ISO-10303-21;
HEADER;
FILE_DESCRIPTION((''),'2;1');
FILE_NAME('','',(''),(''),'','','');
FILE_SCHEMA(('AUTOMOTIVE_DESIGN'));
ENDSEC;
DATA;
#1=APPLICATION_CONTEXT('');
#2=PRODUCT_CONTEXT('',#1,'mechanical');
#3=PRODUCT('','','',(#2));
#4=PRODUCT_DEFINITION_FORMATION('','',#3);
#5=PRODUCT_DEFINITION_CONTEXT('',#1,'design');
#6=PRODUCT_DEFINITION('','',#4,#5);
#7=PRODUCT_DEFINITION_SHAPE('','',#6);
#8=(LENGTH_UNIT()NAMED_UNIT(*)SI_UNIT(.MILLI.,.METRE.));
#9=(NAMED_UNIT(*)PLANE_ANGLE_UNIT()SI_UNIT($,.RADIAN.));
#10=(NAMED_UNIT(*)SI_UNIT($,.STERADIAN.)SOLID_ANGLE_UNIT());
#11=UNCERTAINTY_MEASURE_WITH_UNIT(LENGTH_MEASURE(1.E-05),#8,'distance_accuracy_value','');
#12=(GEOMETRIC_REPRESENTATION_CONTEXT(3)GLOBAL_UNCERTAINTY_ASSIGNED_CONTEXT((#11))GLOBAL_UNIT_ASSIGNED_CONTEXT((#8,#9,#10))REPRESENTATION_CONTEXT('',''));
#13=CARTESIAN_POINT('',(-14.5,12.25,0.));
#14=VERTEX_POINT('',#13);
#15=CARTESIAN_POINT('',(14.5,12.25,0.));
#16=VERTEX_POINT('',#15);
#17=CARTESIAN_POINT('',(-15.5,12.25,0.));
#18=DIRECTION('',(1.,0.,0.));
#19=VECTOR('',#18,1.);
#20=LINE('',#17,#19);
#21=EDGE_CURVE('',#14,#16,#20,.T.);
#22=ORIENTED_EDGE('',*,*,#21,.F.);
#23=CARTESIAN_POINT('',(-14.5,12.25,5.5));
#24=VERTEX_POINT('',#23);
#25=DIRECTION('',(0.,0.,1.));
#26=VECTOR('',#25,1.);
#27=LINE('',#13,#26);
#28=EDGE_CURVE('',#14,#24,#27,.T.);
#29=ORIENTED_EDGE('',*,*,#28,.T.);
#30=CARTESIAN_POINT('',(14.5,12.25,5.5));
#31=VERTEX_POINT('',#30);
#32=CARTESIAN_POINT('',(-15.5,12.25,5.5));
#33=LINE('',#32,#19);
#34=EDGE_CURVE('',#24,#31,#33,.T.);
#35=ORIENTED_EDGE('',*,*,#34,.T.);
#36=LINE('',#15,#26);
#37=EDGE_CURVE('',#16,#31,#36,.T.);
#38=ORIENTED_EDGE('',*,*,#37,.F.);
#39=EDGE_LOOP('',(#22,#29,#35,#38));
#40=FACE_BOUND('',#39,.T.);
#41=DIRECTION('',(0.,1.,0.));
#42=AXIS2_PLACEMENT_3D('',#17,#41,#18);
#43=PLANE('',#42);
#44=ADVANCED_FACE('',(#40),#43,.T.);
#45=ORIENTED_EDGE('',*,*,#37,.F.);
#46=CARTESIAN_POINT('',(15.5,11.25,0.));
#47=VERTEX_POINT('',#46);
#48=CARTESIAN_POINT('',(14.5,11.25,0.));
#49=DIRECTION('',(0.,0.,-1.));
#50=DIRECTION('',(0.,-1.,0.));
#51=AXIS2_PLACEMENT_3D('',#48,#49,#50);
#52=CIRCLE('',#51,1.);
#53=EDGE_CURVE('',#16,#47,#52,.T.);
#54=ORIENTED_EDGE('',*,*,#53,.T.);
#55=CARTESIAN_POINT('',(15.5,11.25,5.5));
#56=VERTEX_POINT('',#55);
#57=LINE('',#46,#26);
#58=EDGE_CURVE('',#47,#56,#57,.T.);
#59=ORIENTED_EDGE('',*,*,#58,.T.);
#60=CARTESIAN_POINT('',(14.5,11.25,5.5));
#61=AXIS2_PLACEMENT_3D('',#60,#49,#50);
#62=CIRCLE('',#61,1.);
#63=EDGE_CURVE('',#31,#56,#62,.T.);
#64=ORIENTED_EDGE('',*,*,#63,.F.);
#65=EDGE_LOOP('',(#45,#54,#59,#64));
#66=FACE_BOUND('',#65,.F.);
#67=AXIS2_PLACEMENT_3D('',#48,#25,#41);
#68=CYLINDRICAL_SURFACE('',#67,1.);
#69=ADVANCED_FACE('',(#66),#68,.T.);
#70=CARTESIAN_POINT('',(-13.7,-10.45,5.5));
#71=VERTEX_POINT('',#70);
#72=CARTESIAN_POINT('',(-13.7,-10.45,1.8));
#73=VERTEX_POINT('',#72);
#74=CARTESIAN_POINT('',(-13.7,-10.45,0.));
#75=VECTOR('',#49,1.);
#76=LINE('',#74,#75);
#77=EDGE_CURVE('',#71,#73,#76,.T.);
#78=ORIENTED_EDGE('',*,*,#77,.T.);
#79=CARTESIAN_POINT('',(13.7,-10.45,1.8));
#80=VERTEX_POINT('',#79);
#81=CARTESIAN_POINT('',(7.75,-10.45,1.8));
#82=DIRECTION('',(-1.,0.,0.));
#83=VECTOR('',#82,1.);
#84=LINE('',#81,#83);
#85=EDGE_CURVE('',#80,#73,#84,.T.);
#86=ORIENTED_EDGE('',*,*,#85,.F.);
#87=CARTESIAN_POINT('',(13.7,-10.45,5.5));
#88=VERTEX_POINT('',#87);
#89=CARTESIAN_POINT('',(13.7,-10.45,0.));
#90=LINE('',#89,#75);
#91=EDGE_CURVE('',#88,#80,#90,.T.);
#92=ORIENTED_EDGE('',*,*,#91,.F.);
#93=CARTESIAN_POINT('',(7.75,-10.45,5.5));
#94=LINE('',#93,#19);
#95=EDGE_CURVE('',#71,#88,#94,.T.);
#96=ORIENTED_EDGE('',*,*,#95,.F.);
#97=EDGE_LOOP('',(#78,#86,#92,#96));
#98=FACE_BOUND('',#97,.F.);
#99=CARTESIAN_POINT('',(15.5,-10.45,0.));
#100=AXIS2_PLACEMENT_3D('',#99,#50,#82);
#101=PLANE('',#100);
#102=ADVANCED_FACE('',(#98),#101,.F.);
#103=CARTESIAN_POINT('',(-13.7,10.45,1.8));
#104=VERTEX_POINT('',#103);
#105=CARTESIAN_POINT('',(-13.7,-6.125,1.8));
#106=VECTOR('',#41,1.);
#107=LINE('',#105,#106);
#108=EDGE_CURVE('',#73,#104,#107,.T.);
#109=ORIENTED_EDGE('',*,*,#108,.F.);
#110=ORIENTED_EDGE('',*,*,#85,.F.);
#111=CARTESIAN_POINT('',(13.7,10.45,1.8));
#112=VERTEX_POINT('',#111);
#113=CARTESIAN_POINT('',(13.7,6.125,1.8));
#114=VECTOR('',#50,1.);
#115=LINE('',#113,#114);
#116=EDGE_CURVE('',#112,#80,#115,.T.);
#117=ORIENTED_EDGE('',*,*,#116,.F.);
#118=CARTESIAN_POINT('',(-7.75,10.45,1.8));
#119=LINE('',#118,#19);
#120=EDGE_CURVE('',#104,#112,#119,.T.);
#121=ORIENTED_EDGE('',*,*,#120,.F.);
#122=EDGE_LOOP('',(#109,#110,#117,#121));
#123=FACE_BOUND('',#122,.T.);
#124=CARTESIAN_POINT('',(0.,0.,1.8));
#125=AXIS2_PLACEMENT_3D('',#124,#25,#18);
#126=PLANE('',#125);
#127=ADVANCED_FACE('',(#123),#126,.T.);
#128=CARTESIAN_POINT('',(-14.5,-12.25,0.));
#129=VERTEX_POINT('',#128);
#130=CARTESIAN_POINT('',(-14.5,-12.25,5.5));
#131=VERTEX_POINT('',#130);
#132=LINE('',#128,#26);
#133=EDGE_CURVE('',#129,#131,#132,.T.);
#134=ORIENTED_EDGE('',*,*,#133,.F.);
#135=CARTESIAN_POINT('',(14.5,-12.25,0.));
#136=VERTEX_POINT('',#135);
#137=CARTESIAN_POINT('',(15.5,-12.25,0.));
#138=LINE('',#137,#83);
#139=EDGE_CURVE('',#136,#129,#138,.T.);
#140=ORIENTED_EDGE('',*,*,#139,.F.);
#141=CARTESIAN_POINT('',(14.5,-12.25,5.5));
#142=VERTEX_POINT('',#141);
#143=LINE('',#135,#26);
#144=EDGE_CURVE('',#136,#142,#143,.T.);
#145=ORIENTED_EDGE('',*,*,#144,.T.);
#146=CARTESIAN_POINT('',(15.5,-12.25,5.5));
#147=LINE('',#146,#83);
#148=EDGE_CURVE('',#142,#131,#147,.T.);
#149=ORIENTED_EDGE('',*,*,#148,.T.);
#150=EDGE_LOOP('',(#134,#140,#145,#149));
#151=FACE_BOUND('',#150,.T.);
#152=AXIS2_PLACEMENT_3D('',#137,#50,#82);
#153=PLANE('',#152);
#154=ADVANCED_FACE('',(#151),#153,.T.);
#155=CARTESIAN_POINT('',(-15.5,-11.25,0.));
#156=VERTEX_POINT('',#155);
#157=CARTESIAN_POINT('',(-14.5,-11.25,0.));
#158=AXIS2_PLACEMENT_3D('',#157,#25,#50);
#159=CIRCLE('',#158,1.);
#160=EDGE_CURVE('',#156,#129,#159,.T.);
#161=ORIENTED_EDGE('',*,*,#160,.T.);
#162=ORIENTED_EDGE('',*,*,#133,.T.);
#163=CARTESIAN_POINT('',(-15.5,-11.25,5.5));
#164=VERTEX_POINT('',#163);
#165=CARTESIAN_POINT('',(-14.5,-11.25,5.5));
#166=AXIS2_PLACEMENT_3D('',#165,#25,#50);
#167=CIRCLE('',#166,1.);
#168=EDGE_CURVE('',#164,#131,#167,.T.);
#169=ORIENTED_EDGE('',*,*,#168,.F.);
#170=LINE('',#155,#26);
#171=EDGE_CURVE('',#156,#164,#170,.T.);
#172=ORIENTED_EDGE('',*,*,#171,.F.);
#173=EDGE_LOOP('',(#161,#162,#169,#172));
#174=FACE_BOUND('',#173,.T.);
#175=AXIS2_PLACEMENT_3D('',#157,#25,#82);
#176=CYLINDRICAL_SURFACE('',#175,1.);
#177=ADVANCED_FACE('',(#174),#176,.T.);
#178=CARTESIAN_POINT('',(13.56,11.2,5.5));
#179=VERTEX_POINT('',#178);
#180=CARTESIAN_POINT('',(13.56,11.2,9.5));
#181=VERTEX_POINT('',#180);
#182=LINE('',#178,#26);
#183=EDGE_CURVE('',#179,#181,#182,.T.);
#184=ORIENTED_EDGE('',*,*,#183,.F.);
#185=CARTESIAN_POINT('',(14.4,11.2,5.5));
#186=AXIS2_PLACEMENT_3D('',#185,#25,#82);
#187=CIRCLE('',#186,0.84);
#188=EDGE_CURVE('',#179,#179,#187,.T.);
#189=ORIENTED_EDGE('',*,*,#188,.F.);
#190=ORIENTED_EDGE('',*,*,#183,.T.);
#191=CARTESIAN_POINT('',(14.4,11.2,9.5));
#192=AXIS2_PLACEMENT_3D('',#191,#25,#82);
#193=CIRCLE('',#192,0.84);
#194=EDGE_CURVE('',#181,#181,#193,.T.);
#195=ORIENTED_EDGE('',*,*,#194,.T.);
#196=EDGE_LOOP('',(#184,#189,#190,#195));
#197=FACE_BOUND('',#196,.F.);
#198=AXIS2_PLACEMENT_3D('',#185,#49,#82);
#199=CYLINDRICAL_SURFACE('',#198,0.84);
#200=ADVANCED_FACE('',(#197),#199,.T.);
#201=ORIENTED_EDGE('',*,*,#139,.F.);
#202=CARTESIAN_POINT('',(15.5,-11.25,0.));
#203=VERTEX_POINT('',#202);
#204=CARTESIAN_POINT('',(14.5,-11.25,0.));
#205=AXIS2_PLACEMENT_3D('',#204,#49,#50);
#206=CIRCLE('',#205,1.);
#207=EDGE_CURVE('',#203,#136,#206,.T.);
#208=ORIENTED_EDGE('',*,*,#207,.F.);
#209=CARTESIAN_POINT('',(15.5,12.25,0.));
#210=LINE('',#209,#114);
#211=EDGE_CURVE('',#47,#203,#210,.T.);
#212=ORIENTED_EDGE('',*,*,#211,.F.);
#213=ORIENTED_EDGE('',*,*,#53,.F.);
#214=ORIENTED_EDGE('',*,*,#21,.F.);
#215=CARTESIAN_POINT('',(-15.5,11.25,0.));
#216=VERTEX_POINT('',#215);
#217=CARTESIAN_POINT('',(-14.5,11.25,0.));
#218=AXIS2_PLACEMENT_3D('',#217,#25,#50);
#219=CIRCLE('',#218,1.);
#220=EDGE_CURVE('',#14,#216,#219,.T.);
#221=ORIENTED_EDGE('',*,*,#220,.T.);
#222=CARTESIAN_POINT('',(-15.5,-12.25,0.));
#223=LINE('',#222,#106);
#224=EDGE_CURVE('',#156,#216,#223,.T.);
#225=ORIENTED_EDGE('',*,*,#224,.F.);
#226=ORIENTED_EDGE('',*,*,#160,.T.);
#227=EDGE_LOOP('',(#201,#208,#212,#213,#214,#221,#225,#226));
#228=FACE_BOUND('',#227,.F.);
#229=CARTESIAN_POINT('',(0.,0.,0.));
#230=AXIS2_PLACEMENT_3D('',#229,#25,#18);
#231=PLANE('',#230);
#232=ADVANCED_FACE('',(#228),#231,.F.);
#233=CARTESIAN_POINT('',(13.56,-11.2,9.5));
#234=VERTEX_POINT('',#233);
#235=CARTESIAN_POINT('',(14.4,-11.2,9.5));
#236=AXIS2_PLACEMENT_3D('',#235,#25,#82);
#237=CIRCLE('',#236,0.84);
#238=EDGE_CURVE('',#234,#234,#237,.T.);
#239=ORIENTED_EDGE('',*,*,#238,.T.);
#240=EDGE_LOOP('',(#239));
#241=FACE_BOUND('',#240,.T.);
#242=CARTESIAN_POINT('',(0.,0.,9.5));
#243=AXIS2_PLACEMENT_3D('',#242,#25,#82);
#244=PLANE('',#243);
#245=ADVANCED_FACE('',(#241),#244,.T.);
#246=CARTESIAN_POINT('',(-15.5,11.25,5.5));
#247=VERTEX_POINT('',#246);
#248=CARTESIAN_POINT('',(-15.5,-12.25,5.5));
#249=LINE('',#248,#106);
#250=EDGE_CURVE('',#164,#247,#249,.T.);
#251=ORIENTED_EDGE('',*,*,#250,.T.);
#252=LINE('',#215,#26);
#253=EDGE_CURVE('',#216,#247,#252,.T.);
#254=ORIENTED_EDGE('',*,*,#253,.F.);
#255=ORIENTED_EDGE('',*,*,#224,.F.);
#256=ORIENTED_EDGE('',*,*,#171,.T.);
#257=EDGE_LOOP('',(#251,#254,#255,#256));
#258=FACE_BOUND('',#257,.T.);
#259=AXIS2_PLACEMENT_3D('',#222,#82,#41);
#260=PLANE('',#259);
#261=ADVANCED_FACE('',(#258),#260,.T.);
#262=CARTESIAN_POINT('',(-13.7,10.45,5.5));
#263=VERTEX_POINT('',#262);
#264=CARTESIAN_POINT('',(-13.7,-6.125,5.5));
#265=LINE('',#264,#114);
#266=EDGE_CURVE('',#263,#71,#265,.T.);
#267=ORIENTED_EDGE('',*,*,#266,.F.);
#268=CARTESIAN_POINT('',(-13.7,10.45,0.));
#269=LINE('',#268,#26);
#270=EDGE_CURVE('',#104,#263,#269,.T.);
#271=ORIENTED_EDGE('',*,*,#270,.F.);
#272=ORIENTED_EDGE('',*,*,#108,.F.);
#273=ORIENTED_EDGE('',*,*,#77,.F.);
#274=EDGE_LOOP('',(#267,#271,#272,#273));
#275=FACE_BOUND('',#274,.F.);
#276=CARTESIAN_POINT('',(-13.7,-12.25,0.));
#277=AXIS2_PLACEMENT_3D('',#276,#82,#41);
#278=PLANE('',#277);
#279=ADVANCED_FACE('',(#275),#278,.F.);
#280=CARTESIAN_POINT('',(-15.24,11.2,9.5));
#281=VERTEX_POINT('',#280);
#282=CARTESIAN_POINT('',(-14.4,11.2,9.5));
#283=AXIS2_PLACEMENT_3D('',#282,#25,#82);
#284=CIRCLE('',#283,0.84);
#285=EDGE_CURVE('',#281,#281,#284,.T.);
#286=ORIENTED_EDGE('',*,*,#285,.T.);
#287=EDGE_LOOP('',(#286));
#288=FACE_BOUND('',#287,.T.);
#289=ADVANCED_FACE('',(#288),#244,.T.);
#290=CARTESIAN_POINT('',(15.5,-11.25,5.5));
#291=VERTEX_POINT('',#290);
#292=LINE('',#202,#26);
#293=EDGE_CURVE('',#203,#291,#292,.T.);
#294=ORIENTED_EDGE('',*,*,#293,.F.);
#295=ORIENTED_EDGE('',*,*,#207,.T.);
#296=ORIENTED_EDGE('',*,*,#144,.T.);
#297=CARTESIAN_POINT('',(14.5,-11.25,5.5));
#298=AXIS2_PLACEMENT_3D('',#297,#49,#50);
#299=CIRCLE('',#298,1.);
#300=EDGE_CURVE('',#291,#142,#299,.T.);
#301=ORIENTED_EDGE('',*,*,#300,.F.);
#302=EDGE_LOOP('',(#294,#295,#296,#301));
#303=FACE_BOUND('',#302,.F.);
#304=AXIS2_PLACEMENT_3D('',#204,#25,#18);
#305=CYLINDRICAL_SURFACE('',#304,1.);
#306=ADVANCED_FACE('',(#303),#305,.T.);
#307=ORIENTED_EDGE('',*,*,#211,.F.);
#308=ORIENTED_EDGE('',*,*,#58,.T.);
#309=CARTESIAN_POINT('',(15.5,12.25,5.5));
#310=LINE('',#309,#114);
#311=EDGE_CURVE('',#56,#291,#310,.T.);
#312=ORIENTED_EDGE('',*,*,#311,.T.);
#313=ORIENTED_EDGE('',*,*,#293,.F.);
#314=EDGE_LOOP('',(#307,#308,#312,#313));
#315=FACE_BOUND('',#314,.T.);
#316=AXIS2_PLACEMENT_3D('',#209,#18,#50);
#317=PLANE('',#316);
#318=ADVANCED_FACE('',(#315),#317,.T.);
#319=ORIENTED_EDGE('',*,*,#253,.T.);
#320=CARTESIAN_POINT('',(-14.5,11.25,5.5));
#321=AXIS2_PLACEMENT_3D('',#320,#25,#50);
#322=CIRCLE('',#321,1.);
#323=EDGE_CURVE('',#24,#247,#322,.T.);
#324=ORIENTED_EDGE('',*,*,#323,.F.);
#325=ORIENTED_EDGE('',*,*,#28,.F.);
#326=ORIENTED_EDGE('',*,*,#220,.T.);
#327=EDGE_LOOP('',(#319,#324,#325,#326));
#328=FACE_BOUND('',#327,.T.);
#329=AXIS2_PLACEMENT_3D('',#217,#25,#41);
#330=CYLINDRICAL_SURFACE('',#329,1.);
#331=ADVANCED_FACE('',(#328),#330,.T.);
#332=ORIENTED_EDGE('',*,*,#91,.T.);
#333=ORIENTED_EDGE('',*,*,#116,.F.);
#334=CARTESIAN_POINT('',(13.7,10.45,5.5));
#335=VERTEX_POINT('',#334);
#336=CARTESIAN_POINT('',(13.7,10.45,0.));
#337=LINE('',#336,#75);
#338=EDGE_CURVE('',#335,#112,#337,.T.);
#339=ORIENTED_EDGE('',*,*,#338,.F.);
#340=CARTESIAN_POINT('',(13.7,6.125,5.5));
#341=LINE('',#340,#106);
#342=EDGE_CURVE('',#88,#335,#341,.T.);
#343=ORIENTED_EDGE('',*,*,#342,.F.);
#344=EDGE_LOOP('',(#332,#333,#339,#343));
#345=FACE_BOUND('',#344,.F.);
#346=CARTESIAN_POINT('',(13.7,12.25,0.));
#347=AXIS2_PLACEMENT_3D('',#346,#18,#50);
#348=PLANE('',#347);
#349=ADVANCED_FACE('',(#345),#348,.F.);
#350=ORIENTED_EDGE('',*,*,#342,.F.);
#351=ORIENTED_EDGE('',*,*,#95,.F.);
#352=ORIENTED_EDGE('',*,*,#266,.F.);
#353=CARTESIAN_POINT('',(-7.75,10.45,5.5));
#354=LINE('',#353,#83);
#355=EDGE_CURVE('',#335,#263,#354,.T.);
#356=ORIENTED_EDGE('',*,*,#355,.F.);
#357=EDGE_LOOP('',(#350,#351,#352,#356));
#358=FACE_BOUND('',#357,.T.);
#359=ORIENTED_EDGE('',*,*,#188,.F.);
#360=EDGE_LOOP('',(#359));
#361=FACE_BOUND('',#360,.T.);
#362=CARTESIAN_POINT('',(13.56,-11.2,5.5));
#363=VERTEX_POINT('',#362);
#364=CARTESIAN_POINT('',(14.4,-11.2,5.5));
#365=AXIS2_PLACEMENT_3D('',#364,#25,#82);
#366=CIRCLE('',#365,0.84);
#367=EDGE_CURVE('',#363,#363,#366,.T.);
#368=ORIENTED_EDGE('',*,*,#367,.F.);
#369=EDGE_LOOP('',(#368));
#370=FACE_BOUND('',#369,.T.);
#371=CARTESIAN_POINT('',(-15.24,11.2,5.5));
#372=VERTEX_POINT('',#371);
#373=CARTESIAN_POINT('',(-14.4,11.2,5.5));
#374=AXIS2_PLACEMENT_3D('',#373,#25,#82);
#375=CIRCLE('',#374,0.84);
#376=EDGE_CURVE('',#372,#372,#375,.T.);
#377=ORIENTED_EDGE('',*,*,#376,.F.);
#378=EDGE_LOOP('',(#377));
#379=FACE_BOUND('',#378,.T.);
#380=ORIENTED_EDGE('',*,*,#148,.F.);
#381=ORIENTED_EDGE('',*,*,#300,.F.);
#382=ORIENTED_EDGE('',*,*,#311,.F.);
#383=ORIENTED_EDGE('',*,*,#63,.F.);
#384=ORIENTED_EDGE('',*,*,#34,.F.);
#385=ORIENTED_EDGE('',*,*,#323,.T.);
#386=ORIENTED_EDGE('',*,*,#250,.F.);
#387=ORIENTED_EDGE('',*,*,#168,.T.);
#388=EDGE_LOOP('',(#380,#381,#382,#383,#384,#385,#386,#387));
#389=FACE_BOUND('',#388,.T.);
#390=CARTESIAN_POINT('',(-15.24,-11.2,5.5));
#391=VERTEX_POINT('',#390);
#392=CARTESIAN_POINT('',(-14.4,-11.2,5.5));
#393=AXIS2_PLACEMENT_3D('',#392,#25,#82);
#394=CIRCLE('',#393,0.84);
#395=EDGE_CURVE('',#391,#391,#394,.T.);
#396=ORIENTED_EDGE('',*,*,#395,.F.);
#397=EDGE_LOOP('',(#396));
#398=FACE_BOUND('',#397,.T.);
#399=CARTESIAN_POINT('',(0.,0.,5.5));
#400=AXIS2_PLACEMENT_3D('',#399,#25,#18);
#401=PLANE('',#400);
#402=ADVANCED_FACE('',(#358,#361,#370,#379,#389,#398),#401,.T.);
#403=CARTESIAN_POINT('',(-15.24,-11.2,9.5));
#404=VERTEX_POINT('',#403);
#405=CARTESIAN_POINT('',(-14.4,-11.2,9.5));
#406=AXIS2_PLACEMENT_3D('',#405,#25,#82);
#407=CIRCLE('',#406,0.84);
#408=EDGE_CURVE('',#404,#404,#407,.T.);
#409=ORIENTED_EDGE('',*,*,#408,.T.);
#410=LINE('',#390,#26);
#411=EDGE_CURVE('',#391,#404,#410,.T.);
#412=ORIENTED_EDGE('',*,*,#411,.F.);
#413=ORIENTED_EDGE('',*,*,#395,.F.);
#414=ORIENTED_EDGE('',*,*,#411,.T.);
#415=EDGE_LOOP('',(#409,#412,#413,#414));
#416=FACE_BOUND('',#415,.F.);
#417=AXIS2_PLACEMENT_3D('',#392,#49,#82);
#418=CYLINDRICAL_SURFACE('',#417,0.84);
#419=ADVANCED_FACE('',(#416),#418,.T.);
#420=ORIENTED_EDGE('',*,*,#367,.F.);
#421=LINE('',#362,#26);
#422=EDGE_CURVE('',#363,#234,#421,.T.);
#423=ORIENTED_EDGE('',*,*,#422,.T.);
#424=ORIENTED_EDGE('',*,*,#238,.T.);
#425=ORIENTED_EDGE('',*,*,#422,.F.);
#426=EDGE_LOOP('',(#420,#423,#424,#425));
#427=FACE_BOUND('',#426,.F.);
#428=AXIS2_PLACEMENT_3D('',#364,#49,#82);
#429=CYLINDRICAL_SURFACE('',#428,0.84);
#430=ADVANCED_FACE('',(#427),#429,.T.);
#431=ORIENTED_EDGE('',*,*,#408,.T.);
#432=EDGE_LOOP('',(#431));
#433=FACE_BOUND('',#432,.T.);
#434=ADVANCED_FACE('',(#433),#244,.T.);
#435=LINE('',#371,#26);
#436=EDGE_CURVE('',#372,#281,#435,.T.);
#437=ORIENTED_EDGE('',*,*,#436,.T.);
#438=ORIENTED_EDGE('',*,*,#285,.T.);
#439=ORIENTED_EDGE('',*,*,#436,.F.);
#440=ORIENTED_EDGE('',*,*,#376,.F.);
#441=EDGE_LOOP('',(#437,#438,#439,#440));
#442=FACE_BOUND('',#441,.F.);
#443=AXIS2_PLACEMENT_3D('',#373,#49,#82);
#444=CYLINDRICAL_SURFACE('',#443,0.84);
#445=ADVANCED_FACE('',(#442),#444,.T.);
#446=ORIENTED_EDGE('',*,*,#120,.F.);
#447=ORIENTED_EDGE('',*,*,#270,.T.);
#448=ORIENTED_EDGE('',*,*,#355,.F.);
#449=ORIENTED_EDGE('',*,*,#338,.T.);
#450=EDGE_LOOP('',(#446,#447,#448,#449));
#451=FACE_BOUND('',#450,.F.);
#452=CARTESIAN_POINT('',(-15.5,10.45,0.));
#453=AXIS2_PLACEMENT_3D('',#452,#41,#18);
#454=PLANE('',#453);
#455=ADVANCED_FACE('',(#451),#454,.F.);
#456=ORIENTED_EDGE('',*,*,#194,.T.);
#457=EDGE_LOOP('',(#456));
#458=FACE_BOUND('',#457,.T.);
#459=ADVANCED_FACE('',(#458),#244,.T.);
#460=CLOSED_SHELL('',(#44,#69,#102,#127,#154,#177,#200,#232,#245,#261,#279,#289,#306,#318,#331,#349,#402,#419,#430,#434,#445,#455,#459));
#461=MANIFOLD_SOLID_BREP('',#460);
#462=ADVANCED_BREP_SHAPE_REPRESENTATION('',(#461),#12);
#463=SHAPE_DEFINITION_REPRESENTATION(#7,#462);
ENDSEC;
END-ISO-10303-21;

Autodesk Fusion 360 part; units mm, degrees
sketch "Sketch1" plane through (0, 0, 0) normal (0, 0, 1) x (1, 0, 0)
  line L0 (-15.5, 12.25) -> (15.5, 12.25)
  line L1 (15.5, 12.25) -> (15.5, -12.25)
  line L2 (15.5, -12.25) -> (-15.5, -12.25)
  line L3 (-15.5, -12.25) -> (-15.5, 12.25)
  line L4 (-15.5, 12.25) -> (15.5, -12.25) construction
  line L5 (15.5, 12.25) -> (-15.5, -12.25) construction
  dimension "d1" = 31
  dimension "d2" = 24.5
extrude "Extrude1" add sketch "Sketch1" along normal blind 5.5
shell "Shell1" thickness 1.8 removed faces 1 at (-5.1667, 4.0833, 5.5)
sketch "Sketch2" plane through (0, 0, 5.5) normal (0, 0, 1) x (-1, 0, 0)
  line L0 (13.7, 10.45) -> (13.7, -10.45)
  line L1 (13.7, -10.45) -> (-13.7, -10.45)
  line L2 (-13.7, -10.45) -> (-13.7, 10.45)
  line L3 (-13.7, 10.45) -> (13.7, 10.45)
  line L4 (15.5, 12.25) -> (-15.5, 12.25)
  line L5 (-15.5, 12.25) -> (-15.5, -12.25)
  line L6 (-15.5, -12.25) -> (15.5, -12.25)
  line L7 (15.5, -12.25) -> (15.5, 12.25)
  circle A0 centre (14.4, -11.2) radius 0.84
  line L8 (0, 0) -> (0, -2)
  line L9 (0, 0) -> (4, 0)
  circle A1 centre (-14.4, -11.2) radius 0.84
  circle A2 centre (-14.4, 11.2) radius 0.84
  circle A3 centre (14.4, 11.2) radius 0.84
  dimension "d6" = 1.68
  dimension "d7" = 11.2
  dimension "d8" = 14.4
extrude "Extrude2" add sketch "Sketch2" along normal blind 4 contours A0 | A1 | A2 | A3
fillet "Fillet1" radius 1 1 edges at (15.5, -12.25, 2.75)
fillet "Fillet1" radius 1 1 edges at (15.5, 12.25, 2.75)
fillet "Fillet1" radius 1 1 edges at (-15.5, 12.25, 2.75)
fillet "Fillet1" radius 1 1 edges at (-15.5, -12.25, 2.75)
